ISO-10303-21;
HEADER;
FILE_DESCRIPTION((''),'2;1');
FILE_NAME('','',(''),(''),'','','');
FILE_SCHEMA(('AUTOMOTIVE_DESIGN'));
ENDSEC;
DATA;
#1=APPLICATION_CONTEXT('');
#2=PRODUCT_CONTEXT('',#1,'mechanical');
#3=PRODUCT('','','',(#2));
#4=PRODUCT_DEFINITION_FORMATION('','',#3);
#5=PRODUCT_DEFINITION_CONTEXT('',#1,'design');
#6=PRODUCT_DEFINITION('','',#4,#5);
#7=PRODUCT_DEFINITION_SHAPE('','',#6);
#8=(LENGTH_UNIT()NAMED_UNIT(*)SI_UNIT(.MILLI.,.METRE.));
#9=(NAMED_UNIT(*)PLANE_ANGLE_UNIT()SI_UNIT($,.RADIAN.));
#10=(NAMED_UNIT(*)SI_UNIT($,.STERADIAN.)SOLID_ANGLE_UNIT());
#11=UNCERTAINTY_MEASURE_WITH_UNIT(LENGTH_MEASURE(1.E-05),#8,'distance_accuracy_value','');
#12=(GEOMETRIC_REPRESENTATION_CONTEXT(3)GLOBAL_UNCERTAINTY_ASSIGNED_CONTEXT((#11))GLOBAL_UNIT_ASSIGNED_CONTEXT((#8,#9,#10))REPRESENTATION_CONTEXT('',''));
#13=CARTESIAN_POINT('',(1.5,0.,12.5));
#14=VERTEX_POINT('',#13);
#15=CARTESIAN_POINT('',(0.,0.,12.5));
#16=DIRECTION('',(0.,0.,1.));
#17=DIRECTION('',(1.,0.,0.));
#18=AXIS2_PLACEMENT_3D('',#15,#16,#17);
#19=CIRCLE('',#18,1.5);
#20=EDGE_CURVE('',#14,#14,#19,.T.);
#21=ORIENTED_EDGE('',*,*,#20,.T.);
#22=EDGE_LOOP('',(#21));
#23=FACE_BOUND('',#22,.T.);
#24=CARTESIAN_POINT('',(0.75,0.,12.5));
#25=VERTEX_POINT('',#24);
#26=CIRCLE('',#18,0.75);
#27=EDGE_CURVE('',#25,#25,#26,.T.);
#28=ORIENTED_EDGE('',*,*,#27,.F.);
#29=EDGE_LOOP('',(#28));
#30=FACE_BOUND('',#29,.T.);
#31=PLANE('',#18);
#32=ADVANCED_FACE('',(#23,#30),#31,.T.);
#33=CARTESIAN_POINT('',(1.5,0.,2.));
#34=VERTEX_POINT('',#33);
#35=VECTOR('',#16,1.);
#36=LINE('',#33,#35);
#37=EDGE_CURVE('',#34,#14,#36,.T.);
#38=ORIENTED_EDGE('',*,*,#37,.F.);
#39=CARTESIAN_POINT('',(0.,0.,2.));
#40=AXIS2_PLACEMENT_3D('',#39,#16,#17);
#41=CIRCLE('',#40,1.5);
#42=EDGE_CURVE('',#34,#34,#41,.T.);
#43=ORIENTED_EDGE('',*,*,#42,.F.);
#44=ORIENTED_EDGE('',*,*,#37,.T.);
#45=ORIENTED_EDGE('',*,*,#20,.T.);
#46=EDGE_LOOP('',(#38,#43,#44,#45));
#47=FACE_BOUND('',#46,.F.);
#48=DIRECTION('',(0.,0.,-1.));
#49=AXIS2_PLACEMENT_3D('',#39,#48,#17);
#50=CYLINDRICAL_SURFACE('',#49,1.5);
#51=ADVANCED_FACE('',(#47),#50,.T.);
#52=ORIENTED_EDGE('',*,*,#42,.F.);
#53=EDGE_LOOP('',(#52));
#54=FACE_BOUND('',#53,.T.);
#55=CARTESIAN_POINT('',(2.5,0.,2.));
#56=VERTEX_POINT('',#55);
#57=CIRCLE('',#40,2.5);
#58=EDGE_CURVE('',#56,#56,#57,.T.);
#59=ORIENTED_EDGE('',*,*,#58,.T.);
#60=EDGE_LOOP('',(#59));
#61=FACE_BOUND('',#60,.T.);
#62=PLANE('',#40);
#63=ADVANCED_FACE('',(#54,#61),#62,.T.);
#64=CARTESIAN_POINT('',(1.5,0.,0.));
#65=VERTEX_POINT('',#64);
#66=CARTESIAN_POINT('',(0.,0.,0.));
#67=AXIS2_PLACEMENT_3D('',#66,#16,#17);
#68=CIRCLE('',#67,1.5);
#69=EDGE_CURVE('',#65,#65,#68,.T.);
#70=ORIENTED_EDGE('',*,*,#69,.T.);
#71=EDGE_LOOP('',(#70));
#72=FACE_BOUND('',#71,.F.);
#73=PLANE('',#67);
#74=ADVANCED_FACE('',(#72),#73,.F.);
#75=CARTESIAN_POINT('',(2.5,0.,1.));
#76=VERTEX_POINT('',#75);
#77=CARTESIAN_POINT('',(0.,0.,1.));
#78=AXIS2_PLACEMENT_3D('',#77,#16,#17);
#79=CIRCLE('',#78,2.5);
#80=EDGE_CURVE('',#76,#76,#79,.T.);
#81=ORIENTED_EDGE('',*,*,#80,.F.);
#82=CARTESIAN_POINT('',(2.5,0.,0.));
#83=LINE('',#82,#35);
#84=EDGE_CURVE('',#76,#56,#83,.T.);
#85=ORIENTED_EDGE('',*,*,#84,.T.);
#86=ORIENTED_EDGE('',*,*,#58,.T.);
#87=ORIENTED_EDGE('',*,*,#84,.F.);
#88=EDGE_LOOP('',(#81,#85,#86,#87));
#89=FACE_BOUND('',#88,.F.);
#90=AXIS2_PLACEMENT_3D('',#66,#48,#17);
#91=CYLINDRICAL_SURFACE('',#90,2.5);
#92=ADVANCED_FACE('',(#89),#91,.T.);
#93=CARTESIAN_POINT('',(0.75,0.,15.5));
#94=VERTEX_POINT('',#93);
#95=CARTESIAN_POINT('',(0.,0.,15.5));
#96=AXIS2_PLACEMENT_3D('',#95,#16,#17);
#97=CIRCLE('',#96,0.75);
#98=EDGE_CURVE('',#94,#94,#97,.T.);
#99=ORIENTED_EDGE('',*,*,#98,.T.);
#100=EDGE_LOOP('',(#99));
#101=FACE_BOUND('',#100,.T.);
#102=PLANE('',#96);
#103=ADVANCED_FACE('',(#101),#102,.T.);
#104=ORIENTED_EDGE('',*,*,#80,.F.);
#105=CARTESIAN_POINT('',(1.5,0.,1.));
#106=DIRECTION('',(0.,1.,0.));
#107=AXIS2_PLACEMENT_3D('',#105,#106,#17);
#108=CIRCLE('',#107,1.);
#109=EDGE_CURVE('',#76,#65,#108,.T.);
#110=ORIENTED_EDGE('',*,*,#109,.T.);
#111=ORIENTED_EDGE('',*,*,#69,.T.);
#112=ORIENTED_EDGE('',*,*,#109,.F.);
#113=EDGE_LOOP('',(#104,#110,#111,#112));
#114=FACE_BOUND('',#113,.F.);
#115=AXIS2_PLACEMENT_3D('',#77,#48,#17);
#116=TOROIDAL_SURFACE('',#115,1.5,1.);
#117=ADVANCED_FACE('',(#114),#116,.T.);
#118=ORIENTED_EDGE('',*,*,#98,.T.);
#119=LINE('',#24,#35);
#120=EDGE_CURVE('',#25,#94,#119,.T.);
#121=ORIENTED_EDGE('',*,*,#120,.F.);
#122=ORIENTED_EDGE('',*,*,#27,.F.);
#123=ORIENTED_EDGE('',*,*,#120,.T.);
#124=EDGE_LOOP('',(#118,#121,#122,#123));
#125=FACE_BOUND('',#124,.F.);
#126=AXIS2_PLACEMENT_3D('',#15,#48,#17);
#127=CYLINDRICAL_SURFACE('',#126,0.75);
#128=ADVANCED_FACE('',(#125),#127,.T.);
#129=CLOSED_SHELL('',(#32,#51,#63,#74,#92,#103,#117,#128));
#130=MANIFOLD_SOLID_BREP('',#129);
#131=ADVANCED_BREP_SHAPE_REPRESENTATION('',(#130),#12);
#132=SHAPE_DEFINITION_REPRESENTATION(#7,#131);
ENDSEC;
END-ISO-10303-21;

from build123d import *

# Parameters (mm, degrees)
SKETCH_R     = 2.5
PAD_DEPTH    = 2
FILLET_R     = 1
SKETCH001_R  = 1.5
PAD001_DEPTH = 10.5
SKETCH002_R  = 0.75
PAD002_DEPTH = 3


with BuildPart() as part:
    # Sketch → Pad (new body)
    with BuildSketch(Plane.XY):
        Circle(SKETCH_R)
    extrude(amount=PAD_DEPTH)

    # Fillet
    fillet_edges = [part.edges().sort_by_distance(p)[0] for p in [
        (-2.5, 0, 0),
    ]]
    fillet(fillet_edges, radius=FILLET_R)

    # Sketch001 (on DatumPlane) → Pad001 (join)
    with BuildSketch(Plane.XY.offset(2)):
        Circle(SKETCH001_R)
    extrude(amount=PAD001_DEPTH)

    # Sketch002 (on DatumPlane) → Pad002 (join)
    with BuildSketch(Plane.XY.offset(12.5)):
        Circle(SKETCH002_R)
    extrude(amount=PAD002_DEPTH)


solid = part.part
